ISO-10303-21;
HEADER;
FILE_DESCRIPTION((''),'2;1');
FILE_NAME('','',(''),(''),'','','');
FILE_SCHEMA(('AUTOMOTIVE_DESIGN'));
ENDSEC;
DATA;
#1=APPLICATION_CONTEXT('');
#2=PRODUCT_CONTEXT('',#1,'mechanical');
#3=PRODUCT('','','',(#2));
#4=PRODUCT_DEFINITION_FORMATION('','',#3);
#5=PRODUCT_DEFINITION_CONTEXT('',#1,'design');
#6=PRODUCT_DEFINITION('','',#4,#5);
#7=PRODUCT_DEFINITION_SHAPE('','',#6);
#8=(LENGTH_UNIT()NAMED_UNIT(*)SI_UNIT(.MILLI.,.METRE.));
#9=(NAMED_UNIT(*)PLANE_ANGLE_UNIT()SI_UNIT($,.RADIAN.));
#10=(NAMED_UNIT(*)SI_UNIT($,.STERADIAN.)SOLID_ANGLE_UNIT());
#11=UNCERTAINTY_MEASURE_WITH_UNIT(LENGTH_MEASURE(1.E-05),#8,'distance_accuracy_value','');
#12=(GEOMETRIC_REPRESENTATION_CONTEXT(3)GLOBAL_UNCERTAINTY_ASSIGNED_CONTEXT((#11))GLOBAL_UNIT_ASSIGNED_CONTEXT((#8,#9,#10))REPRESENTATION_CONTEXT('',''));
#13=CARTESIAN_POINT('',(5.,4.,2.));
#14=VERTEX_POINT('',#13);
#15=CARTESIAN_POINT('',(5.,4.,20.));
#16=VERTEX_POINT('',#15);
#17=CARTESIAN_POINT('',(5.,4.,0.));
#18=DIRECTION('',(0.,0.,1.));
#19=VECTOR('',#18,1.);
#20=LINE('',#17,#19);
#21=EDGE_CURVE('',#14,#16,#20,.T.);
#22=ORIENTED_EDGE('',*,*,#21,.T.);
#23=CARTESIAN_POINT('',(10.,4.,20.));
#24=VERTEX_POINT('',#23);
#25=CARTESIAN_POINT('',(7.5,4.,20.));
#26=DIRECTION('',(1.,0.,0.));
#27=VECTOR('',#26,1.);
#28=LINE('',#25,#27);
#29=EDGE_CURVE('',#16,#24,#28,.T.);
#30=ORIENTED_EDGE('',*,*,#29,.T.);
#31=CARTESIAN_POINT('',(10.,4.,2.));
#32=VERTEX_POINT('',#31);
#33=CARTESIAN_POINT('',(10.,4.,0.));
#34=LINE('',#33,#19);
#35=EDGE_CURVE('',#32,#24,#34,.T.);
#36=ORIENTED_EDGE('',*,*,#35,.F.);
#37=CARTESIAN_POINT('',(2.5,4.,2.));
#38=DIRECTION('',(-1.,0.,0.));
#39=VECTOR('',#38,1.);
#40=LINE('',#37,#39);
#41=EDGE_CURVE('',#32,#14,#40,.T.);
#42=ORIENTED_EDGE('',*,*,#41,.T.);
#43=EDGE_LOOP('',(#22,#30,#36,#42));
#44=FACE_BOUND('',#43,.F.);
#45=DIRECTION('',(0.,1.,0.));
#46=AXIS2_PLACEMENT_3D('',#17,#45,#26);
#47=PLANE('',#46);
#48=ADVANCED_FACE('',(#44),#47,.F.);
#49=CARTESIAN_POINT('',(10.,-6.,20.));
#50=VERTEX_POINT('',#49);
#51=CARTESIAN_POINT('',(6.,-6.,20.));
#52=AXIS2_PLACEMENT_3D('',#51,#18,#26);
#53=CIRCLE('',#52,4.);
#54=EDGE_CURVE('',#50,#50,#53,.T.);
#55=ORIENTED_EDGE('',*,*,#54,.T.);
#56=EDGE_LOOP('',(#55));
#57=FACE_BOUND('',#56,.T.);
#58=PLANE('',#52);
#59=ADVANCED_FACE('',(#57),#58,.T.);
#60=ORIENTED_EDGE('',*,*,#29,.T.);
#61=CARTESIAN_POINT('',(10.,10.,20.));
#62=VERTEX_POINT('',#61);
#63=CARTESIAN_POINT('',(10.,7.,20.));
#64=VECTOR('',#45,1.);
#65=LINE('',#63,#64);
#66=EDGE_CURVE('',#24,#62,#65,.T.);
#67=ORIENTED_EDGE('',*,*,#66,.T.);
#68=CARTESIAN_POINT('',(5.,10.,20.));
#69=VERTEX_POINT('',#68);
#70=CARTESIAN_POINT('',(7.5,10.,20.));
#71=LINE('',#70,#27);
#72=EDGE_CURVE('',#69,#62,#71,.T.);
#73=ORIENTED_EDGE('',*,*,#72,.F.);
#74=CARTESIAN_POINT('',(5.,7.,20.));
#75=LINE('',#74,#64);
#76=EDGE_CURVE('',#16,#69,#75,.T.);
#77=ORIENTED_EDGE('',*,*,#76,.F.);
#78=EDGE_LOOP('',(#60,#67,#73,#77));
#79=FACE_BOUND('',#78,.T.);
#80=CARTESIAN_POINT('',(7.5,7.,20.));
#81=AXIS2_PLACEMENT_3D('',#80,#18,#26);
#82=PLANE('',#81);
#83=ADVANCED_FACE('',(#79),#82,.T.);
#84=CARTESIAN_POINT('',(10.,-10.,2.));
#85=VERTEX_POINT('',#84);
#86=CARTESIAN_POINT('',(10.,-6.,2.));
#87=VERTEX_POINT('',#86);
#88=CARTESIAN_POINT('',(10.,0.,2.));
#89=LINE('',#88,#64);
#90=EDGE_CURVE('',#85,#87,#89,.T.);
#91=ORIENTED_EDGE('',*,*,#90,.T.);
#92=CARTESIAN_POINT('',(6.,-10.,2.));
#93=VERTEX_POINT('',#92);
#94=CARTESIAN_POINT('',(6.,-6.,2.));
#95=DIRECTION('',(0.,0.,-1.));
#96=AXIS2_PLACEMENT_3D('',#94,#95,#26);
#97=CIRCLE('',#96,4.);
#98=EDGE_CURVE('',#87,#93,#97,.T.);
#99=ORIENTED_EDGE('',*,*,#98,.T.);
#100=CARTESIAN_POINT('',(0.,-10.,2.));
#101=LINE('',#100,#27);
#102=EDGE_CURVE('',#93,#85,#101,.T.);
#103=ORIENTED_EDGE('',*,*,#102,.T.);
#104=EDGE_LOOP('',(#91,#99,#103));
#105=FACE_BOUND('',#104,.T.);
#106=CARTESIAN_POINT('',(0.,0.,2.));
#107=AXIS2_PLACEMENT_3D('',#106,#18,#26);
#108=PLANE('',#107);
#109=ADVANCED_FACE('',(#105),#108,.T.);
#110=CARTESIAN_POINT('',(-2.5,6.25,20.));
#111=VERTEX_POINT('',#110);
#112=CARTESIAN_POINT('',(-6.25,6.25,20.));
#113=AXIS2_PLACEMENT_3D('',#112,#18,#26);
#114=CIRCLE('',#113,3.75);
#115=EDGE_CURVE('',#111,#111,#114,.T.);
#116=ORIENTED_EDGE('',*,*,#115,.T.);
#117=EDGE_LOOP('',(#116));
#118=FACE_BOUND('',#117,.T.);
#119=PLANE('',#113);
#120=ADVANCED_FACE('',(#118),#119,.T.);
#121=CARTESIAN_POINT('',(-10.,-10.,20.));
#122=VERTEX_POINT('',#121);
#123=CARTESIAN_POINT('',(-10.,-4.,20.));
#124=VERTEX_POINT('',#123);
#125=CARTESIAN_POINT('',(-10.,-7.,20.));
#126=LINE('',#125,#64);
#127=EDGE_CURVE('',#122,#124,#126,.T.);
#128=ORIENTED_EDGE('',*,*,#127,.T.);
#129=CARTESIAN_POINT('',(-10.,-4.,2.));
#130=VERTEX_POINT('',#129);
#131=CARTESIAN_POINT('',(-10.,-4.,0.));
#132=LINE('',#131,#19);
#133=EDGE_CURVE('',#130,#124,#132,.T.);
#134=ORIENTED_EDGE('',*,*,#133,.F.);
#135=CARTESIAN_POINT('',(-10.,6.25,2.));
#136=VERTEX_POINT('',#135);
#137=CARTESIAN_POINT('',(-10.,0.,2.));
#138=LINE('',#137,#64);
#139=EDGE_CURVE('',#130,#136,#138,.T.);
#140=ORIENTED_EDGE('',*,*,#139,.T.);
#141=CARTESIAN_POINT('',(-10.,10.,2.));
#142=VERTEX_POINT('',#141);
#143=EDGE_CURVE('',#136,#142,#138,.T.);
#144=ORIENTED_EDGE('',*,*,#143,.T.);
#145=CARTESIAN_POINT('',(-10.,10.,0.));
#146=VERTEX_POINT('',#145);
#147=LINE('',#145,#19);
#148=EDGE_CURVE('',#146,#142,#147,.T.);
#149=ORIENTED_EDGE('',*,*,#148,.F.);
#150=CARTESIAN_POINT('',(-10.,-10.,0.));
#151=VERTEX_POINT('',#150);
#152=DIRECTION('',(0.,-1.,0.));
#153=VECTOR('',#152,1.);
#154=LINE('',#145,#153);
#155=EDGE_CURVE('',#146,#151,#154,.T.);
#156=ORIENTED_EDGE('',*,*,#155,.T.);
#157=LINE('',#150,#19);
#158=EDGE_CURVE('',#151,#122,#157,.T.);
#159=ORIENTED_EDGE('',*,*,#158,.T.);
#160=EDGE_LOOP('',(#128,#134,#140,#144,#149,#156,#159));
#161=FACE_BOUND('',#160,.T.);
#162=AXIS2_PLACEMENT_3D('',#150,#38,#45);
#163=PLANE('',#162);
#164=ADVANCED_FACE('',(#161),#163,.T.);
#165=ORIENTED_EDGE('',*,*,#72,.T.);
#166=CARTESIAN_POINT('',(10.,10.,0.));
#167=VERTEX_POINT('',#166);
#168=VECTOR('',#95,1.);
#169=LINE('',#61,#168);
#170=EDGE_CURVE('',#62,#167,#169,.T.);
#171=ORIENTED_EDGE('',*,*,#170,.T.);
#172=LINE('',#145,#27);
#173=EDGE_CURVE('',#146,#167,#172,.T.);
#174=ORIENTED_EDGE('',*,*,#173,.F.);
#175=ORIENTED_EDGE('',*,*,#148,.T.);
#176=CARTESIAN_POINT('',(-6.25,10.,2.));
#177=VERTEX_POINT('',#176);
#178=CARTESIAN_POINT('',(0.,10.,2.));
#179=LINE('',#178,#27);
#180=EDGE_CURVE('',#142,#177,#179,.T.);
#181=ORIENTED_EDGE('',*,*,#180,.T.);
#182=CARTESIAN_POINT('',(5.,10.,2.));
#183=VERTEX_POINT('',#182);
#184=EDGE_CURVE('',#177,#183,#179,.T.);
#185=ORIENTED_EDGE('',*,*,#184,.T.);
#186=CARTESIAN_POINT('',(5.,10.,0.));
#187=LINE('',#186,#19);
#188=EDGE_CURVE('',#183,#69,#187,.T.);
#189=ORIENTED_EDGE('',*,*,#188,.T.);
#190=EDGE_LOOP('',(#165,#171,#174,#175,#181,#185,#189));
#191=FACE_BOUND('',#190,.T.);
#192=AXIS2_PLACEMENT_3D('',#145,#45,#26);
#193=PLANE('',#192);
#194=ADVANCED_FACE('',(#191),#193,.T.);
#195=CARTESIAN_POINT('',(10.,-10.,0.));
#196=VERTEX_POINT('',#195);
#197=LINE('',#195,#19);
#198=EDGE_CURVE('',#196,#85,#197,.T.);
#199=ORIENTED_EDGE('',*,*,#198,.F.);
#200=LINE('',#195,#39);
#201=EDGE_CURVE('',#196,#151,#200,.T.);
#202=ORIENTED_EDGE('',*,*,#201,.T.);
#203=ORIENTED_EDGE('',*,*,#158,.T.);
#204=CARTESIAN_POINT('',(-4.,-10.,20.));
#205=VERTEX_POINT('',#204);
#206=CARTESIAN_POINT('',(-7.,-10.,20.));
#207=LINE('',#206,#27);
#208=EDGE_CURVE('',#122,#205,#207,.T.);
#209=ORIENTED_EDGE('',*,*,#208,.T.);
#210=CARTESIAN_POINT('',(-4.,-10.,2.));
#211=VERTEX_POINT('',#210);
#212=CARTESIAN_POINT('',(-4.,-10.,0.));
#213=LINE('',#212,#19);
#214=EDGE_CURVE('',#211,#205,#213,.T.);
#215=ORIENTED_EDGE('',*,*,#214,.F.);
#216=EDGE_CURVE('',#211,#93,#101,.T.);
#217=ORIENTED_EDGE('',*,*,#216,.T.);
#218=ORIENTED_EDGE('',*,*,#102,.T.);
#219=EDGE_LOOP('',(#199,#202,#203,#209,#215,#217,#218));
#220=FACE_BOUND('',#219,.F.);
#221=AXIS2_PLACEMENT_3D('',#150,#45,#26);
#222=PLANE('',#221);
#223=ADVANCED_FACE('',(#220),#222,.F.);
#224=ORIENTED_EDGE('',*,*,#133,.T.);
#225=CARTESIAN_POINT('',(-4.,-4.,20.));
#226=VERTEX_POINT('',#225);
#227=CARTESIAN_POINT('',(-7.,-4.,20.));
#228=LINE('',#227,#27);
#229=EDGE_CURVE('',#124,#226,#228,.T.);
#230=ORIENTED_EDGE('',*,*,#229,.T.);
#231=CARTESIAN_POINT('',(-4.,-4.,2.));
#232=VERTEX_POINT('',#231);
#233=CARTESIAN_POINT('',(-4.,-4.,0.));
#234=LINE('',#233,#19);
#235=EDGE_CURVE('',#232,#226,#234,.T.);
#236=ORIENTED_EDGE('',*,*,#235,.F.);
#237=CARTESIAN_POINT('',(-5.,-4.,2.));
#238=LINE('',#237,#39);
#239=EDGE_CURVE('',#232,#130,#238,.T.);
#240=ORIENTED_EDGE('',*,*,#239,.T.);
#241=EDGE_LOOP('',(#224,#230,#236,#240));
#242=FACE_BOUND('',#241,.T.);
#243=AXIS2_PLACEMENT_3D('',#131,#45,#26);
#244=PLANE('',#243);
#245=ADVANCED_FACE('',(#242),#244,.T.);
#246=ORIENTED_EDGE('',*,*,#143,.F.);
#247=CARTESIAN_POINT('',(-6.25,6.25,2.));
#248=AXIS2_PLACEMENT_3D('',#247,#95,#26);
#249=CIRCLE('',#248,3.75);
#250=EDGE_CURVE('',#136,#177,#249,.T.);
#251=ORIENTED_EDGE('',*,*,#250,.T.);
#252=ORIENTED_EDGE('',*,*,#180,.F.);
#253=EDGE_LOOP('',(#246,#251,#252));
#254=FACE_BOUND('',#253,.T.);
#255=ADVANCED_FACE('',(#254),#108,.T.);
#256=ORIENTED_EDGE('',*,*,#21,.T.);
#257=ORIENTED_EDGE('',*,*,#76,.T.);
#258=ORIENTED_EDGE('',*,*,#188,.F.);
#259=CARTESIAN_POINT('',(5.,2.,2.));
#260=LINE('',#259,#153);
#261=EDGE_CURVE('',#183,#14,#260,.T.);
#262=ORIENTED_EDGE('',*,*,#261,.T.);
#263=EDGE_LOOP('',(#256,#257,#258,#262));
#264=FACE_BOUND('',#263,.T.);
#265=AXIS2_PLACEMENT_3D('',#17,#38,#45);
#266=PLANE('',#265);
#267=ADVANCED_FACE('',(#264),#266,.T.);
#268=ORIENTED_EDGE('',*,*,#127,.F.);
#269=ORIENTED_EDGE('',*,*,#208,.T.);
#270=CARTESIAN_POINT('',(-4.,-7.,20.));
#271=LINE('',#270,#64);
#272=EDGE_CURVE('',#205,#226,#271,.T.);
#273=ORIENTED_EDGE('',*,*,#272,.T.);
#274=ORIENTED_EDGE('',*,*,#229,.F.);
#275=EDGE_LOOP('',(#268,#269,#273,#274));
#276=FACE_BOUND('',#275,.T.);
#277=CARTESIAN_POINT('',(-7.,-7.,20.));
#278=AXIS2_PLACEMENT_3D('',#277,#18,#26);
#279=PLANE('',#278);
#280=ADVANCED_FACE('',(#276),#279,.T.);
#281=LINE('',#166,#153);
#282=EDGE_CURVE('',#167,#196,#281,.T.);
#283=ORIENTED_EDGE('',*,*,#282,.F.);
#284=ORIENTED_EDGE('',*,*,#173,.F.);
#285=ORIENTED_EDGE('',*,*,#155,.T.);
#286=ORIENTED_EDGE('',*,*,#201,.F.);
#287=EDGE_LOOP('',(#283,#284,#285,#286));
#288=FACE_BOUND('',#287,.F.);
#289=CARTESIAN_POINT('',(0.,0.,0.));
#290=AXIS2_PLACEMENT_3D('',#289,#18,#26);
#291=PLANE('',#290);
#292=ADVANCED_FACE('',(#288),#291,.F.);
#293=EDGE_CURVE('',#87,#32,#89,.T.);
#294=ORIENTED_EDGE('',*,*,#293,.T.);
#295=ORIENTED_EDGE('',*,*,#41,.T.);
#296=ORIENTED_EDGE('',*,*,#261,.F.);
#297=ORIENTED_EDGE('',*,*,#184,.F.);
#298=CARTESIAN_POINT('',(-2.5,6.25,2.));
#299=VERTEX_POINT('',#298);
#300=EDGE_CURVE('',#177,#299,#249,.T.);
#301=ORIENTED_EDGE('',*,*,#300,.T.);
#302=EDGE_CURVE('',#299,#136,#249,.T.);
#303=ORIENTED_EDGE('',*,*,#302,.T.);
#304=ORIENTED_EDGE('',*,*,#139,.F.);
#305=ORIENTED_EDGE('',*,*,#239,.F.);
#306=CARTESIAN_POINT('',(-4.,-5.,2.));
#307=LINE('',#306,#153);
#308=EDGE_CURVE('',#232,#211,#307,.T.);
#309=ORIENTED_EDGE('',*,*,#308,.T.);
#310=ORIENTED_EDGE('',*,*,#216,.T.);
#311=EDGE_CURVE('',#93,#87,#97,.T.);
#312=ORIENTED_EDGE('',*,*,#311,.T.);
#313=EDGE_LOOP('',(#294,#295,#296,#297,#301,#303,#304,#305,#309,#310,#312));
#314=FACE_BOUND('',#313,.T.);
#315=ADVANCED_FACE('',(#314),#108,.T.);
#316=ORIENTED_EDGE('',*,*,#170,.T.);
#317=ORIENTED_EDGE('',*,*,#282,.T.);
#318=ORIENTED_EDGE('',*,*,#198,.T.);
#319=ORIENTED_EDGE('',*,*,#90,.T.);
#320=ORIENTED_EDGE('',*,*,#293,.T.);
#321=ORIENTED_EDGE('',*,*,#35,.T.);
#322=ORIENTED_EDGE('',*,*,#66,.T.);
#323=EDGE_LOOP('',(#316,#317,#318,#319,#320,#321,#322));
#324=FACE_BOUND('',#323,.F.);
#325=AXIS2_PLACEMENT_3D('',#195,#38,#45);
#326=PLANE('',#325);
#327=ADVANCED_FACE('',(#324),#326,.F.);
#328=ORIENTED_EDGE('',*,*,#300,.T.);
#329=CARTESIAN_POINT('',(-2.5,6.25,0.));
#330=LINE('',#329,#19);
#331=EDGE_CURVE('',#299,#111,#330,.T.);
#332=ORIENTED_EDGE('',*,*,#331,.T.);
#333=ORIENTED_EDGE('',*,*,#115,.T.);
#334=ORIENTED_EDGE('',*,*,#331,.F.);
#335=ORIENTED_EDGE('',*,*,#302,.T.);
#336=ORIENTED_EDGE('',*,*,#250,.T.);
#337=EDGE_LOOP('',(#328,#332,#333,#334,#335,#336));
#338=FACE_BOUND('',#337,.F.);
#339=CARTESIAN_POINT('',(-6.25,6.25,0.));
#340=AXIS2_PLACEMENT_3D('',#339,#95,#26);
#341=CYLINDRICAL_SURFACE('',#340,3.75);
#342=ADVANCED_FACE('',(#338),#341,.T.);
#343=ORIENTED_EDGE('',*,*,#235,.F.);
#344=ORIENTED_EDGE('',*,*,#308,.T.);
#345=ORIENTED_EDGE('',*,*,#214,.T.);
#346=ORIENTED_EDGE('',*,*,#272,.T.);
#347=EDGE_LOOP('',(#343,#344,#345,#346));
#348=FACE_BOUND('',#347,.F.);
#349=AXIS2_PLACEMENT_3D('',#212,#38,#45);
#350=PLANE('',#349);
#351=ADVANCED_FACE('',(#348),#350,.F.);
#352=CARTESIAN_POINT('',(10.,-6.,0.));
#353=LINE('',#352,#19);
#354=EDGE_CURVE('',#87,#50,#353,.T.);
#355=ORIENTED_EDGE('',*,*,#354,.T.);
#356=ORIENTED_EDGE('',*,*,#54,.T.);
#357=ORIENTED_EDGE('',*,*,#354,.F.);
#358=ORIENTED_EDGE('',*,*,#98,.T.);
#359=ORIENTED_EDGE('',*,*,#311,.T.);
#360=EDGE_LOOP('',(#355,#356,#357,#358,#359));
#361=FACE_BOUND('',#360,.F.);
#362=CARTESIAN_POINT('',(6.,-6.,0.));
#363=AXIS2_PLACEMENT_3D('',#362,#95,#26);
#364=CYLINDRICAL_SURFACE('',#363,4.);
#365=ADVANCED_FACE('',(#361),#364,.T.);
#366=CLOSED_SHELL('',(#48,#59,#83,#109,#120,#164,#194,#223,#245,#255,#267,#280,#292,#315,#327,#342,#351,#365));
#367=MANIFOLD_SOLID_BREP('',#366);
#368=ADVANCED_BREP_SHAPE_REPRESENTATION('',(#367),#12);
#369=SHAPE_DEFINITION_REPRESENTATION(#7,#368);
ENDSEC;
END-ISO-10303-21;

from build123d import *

# Parameters (mm, degrees)
F0_W     = 20
F0_H     = 20
F1_DEPTH = 2
F2_W     = 6
F2_H     = 6
F2_R     = 3.75
F2_R_2   = 4
F2_W_2   = 5
F3_DEPTH = 20


with BuildPart() as f1:
    # F0 (on Top) → F1 (new body)
    with BuildSketch(Plane.XY):
        Rectangle(F0_W, F0_H)
    extrude(amount=F1_DEPTH)

    # F2 (on Top) → F3 (join)
    with BuildSketch(Plane.XY):
        with Locations((-7, -7)):
            Rectangle(F2_W, F2_H)
        with Locations((-6.25, 6.25)):
            Circle(F2_R)
        with Locations((6, -6)):
            Circle(F2_R_2)
        with Locations((7.5, 7)):
            Rectangle(F2_W_2, F2_H)
    extrude(amount=F3_DEPTH)


solid = f1.part
